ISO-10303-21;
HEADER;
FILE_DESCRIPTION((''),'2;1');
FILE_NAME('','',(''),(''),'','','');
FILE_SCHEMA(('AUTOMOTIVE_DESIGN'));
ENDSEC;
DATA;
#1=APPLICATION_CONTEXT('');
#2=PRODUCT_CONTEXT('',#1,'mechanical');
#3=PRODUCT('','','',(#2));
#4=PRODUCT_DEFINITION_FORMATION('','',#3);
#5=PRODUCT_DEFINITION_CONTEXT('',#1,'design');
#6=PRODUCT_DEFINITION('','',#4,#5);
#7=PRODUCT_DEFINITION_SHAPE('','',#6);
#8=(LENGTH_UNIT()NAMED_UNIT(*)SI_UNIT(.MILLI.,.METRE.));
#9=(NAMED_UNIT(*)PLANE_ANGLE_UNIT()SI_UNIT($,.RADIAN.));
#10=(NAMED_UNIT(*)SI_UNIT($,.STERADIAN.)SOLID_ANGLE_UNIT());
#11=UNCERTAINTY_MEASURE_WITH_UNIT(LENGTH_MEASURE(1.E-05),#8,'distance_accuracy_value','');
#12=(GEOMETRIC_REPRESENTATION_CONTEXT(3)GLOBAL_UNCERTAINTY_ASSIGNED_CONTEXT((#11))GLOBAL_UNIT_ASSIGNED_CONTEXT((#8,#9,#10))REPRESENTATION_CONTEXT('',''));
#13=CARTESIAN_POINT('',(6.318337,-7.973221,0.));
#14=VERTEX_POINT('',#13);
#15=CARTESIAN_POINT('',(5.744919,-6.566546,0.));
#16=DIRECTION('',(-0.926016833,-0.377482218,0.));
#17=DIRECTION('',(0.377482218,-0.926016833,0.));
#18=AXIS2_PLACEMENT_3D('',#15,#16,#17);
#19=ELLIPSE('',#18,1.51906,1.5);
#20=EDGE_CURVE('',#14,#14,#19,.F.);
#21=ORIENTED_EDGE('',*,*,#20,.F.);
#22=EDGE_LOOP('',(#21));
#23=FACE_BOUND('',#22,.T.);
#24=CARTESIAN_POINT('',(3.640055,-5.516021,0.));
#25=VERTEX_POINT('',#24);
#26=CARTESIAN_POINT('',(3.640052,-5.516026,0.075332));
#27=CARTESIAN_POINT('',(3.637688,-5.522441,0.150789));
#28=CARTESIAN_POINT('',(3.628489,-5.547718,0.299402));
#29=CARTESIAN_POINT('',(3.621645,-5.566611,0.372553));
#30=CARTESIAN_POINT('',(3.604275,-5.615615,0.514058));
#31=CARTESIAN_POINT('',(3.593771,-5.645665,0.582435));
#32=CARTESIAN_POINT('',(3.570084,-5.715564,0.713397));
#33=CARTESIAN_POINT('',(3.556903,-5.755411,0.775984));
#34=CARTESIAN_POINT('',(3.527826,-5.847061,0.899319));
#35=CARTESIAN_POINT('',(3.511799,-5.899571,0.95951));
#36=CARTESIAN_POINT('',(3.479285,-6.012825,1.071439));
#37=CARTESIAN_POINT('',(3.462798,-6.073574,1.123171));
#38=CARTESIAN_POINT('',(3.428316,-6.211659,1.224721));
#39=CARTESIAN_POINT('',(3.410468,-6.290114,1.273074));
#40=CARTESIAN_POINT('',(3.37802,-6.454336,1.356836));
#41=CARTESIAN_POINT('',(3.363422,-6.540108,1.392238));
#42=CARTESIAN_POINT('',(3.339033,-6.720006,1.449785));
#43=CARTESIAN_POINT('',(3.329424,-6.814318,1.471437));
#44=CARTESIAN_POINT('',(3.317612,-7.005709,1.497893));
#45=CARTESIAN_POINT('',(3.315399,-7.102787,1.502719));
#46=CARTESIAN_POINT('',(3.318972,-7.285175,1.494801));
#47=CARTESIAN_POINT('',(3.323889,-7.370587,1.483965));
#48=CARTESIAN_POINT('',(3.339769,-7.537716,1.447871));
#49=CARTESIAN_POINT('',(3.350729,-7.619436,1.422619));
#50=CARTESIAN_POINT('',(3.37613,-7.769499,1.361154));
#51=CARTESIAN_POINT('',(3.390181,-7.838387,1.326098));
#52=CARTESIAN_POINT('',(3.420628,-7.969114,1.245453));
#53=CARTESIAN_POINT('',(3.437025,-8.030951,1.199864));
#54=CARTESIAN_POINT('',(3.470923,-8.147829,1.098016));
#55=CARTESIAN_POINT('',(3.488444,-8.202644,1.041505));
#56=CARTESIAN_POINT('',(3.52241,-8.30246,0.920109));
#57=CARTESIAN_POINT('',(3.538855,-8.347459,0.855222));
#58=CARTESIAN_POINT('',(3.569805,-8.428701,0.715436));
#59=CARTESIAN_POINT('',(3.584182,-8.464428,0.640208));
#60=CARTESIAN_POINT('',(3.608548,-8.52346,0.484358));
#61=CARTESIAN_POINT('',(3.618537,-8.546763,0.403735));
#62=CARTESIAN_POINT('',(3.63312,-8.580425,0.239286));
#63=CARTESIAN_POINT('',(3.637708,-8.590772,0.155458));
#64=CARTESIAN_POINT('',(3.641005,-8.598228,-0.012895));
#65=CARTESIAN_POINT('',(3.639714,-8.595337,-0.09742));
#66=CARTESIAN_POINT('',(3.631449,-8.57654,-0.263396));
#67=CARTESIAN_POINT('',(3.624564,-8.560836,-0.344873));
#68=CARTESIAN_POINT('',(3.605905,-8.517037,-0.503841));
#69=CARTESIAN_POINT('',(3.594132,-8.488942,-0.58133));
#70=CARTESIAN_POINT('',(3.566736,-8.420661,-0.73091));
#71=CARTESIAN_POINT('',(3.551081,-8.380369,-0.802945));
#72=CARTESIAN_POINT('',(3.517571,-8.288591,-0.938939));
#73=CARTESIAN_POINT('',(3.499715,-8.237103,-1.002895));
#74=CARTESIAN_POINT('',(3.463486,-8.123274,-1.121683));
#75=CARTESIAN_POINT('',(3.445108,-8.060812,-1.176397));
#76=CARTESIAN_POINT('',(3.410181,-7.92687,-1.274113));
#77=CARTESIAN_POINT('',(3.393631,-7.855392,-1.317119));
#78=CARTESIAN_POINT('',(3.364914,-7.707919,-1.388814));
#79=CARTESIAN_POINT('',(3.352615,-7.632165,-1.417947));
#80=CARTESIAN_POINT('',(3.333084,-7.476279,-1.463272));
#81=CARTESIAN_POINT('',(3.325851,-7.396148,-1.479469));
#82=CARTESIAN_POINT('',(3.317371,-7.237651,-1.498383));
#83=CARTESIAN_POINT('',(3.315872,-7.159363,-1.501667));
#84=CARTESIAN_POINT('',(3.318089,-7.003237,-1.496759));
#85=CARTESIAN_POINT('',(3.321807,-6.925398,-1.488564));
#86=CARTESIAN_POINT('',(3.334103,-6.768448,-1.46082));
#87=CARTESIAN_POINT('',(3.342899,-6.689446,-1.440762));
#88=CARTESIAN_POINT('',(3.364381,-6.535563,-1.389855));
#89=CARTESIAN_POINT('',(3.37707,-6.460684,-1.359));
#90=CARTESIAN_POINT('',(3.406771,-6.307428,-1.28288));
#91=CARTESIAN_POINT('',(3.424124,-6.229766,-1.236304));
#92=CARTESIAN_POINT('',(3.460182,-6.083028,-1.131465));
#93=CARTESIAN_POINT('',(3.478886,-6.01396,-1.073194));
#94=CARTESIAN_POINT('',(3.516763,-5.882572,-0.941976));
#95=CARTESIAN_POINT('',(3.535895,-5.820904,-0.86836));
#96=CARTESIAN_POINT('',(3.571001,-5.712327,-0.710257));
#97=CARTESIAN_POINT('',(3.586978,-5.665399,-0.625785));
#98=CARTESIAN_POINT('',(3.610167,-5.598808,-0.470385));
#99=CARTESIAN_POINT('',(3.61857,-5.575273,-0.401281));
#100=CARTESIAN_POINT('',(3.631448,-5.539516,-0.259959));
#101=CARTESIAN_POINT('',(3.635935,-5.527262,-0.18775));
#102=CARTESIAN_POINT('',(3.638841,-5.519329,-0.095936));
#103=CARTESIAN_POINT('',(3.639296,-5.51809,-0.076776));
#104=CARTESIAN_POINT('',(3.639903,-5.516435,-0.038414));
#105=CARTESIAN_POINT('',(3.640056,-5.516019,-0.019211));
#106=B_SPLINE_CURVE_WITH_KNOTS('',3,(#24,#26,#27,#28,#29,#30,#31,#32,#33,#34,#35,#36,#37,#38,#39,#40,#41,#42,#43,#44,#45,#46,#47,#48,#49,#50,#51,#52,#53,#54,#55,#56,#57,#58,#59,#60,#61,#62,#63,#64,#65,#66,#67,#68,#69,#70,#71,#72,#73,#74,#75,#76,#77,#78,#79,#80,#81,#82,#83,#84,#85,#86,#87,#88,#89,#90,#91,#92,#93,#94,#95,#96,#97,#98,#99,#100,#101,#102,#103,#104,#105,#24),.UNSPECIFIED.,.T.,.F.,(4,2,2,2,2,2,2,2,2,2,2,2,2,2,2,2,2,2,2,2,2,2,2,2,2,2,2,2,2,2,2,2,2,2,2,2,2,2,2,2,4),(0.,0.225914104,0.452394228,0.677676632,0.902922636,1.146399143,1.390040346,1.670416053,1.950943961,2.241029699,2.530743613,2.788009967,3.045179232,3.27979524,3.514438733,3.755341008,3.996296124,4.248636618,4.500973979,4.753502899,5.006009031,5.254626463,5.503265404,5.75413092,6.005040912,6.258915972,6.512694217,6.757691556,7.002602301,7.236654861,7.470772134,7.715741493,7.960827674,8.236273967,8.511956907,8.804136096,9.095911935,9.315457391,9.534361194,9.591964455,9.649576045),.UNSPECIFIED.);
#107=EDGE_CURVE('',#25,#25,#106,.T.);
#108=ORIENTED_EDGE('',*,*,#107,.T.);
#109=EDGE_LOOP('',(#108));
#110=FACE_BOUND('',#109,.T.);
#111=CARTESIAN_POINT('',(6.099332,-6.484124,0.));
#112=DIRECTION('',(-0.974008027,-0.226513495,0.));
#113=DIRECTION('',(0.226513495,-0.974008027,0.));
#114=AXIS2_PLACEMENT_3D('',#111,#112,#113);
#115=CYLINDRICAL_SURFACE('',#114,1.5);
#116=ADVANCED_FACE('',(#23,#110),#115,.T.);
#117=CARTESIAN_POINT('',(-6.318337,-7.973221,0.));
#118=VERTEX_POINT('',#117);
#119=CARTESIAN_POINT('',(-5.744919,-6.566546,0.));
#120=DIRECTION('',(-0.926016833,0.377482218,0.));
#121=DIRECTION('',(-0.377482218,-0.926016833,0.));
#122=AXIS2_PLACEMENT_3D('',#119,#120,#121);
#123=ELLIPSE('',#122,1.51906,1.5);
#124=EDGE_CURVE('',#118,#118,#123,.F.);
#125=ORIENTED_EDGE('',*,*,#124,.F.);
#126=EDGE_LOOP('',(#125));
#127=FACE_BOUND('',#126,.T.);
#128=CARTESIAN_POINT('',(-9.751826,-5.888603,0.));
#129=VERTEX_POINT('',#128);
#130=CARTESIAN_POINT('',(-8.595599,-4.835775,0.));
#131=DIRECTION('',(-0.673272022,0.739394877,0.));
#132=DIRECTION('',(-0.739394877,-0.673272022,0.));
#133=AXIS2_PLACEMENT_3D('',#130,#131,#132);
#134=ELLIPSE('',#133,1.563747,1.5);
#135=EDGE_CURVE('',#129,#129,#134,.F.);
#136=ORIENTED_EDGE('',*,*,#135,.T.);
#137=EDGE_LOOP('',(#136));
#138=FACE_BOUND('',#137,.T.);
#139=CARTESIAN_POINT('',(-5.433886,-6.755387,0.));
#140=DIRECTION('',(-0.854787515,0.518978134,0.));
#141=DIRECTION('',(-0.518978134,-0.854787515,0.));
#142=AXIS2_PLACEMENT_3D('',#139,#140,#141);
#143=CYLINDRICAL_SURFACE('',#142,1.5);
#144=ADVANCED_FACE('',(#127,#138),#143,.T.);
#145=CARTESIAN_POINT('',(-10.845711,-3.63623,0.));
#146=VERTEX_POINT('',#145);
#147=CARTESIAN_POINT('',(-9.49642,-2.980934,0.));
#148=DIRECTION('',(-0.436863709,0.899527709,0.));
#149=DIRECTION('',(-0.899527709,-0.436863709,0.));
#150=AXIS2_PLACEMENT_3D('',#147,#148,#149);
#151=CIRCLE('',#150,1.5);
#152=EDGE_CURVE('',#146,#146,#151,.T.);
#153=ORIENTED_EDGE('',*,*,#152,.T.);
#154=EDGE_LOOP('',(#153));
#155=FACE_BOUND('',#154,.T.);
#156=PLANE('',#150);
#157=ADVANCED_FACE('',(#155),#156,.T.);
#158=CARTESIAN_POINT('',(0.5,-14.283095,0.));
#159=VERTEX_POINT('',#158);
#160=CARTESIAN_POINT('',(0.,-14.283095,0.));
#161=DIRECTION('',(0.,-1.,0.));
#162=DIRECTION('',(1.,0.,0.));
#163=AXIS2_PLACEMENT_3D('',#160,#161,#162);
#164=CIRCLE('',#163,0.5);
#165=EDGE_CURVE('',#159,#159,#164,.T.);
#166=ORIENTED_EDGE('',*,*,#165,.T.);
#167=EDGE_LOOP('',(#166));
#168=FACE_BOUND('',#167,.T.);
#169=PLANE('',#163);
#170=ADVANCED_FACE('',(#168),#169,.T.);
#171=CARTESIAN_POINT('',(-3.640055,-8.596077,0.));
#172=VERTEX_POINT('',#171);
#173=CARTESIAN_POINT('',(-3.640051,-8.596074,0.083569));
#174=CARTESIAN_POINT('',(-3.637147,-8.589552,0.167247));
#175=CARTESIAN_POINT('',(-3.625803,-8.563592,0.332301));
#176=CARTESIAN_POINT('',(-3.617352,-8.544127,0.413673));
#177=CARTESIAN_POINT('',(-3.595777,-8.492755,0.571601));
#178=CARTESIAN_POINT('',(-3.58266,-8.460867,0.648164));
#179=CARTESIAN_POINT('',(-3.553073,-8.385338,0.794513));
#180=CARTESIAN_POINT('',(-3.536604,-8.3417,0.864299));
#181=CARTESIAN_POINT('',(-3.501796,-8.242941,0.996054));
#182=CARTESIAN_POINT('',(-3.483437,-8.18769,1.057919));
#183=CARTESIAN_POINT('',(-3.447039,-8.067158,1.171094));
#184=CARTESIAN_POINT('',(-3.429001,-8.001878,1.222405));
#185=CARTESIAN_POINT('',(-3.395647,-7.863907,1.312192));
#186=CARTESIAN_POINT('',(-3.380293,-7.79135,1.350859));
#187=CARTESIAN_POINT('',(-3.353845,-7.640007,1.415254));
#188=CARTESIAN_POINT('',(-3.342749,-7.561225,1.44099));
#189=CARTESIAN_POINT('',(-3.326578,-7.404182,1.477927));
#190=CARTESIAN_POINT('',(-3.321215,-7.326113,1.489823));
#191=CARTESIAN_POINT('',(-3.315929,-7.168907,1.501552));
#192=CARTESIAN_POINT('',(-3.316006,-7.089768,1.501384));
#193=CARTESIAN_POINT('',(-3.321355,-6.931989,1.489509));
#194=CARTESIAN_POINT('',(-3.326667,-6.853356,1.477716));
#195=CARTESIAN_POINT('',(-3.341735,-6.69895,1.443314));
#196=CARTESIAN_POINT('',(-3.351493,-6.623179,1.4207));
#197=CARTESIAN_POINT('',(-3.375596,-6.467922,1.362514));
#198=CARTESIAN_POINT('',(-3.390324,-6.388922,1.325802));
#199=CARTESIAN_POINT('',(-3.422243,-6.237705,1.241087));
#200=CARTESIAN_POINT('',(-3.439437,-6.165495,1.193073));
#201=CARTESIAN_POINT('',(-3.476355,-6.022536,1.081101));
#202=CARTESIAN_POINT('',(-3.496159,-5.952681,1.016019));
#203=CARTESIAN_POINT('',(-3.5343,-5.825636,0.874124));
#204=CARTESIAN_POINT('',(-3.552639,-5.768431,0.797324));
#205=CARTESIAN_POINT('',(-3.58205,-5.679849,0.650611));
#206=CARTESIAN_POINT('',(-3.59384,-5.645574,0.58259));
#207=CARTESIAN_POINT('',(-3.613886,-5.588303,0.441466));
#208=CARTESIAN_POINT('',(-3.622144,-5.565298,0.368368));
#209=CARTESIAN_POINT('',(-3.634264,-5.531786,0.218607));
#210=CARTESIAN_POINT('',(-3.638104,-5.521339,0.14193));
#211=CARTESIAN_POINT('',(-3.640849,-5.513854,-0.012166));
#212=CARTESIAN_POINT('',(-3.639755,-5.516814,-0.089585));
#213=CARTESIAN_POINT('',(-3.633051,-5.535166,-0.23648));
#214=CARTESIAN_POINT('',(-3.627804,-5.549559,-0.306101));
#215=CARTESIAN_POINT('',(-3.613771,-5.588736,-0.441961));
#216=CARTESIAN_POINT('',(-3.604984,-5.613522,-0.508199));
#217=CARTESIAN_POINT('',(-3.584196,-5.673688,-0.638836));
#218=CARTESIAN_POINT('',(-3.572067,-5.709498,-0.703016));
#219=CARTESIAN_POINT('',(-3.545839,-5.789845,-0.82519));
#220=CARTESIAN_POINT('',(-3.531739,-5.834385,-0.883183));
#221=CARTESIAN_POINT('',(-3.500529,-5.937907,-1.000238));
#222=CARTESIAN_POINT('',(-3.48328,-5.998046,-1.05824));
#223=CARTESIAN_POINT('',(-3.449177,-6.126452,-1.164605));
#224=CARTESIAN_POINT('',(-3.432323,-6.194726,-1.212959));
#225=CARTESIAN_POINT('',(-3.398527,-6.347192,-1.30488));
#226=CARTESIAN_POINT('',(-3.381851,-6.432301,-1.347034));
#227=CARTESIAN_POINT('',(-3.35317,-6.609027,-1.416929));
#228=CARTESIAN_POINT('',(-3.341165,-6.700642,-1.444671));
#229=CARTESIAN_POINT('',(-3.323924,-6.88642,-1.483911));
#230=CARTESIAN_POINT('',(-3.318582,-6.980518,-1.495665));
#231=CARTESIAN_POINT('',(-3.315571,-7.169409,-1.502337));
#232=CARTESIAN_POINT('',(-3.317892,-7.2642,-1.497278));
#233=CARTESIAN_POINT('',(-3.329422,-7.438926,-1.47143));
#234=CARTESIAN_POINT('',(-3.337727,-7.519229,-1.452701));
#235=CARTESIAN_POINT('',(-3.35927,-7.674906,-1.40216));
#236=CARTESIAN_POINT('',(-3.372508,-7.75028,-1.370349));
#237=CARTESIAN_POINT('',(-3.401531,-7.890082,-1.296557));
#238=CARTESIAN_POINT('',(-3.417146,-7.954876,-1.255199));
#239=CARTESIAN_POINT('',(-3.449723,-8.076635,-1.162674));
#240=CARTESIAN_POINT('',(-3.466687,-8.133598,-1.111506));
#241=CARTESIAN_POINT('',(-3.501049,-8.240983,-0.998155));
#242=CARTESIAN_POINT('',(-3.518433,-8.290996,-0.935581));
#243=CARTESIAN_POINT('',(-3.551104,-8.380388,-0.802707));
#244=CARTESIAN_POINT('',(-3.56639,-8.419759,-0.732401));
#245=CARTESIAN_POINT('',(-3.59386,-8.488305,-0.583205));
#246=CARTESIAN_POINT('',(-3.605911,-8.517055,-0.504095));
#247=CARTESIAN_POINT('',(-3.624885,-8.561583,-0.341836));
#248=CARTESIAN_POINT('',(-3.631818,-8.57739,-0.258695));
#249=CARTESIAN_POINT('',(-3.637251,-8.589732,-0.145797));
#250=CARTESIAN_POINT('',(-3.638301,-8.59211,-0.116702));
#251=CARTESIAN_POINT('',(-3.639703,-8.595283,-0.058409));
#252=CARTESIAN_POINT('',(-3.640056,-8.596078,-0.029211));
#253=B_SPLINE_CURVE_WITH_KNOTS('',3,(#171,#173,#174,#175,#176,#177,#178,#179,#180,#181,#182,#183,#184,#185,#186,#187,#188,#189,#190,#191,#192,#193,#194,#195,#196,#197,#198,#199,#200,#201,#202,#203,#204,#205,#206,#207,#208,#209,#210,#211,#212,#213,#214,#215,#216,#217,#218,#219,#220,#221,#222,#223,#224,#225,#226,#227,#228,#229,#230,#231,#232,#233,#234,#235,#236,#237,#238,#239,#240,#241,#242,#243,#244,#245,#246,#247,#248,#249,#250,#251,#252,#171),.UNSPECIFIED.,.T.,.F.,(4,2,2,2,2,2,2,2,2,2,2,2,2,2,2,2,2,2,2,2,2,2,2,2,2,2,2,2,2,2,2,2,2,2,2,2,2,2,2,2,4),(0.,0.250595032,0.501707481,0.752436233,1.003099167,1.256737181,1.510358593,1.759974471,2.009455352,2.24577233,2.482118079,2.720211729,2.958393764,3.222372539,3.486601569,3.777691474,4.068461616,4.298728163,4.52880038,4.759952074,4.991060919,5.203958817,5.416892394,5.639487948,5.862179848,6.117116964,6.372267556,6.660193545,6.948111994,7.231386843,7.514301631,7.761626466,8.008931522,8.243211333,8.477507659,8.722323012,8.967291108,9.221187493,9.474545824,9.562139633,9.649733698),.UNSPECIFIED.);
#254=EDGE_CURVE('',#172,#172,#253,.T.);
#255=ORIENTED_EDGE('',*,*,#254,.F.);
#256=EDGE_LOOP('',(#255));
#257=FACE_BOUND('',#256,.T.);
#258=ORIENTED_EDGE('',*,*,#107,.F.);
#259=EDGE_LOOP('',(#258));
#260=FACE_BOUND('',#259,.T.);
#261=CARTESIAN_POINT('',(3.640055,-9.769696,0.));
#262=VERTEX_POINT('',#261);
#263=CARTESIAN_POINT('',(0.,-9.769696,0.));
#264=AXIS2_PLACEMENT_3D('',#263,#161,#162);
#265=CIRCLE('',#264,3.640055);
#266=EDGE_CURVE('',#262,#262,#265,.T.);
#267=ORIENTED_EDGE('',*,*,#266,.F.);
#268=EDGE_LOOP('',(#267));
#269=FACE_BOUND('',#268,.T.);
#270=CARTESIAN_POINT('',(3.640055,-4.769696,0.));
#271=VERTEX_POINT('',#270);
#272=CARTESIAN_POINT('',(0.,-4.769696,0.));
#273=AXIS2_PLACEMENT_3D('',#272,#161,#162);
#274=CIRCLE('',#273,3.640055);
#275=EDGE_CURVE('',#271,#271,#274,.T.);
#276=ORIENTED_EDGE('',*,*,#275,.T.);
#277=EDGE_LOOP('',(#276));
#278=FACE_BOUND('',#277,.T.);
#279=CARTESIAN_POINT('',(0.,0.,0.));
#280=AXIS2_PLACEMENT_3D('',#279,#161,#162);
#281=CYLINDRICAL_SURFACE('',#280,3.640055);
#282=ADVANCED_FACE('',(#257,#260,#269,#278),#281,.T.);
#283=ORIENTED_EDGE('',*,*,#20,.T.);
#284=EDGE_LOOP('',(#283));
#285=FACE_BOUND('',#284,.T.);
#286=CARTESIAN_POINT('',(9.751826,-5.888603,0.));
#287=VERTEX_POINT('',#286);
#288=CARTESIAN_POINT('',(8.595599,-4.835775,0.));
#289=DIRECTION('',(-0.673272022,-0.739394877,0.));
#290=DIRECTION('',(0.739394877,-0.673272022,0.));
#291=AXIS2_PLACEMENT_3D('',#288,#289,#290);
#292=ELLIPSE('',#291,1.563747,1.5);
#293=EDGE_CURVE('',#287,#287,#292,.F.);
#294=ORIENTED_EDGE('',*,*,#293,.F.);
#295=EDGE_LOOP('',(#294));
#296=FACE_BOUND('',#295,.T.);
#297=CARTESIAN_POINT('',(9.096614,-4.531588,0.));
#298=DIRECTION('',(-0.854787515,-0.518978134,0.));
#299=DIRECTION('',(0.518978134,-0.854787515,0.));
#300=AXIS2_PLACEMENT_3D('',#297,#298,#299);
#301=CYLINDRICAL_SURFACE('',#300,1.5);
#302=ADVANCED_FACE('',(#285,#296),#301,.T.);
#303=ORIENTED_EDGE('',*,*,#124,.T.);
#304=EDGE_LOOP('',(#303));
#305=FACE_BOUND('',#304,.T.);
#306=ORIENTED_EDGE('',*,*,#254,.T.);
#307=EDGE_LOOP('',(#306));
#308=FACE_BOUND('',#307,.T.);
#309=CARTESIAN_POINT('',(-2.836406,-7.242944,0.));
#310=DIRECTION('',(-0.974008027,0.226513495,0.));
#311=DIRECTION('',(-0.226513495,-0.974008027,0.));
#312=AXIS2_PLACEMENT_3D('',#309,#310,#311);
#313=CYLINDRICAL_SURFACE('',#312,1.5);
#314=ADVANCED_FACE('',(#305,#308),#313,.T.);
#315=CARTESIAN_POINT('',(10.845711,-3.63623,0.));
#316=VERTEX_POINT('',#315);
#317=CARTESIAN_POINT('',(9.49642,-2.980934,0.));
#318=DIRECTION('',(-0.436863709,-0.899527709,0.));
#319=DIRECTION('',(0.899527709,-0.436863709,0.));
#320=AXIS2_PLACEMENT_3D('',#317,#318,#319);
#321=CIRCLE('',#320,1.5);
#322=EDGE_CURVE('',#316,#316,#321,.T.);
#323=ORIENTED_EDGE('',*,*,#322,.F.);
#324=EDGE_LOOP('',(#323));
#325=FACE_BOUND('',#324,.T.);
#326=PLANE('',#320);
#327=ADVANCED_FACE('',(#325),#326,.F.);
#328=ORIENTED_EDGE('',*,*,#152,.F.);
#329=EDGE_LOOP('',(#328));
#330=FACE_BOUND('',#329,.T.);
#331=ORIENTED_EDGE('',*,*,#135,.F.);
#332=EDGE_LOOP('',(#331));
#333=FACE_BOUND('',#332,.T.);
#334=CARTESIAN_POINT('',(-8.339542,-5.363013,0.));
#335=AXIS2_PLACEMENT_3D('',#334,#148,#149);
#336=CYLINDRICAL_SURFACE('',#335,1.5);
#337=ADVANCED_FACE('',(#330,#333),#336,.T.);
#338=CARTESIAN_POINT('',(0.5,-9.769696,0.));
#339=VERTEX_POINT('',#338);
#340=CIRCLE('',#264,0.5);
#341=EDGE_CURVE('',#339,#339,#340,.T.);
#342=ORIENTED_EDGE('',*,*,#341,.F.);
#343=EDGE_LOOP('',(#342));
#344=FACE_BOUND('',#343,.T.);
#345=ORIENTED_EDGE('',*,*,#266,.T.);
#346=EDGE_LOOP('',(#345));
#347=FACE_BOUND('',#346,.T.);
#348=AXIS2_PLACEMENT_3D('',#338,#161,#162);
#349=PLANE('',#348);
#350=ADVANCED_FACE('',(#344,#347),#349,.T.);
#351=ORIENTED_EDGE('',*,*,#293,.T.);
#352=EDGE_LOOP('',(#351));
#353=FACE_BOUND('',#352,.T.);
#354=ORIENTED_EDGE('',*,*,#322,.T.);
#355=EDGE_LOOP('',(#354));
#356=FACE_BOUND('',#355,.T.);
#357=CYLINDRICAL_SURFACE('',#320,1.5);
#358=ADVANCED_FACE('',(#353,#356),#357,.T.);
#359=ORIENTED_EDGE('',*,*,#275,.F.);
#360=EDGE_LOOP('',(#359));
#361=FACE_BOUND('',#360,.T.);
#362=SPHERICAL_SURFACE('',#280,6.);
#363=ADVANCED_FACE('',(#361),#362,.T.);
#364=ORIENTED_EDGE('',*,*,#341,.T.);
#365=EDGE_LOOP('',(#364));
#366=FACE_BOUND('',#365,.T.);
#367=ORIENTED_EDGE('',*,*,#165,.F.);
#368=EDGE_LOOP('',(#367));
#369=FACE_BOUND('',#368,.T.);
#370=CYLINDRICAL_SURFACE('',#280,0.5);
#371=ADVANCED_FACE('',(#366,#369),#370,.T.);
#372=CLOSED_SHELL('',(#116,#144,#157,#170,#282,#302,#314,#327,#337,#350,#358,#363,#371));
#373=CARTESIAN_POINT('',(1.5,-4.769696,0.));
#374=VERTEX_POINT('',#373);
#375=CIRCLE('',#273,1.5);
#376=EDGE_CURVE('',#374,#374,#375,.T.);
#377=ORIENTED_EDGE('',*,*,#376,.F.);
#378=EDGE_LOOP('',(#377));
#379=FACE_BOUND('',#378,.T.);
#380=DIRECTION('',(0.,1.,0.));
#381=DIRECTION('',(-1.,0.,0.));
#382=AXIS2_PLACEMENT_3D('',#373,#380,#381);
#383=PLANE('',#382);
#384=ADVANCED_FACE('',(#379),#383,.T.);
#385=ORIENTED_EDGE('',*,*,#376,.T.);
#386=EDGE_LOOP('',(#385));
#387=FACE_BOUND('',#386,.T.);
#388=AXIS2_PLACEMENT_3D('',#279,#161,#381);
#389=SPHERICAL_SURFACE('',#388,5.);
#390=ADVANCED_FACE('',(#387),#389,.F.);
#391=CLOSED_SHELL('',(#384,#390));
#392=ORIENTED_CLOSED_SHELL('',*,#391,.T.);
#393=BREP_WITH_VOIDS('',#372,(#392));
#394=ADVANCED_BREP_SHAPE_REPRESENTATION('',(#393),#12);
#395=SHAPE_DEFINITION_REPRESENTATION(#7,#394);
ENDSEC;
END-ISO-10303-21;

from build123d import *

# Parameters (mm, degrees)
SWEEP1_PROFILE_R = 1.5


with BuildPart() as part:
    # Esquisse1 → Révolution4 (revolve)
    with BuildSketch(Plane.XY):
        with BuildLine():
            Line((0, 5), (0, 6))
            ThreePointArc((0, 6), (5.684108375, 1.921174635), (3.640054945, -4.769696007))
            Line((3.640054945, -4.769696007), (3.640054945, -9.769696007))
            Line((3.640054945, -9.769696007), (0.5, -9.769696007))
            Line((0.5, -9.769696007), (0.5, -14.283094956))
            Line((0.5, -14.283094956), (0, -14.283094956))
            Line((0, -14.283094956), (0, -4.769696007))
            Line((0, -4.769696007), (1.5, -4.769696007))
            ThreePointArc((1.5, -4.769696007), (4.942088629, 0.758788496), (0, 5))
        make_face()
    revolve(axis=Axis((0, 0, 0), (0, 1, 0)))

    # Sweep1: sweep along a path in Sketch1
    with BuildLine(Plane.XY) as sweep1_path:
        Line((9.49641969, -2.980934088), (8.595599399, -4.835775301))
        Line((8.595599399, -4.835775301), (5.744918771, -6.566545682))
        Line((5.744918771, -6.566545682), (3.118220193, -7.177405817))
        Line((3.118220193, -7.177405817), (-3.118220193, -7.177405817))
        Line((-3.118220193, -7.177405817), (-5.744918771, -6.566545682))
        Line((-5.744918771, -6.566545682), (-8.595599399, -4.835775301))
        Line((-8.595599399, -4.835775301), (-9.49641969, -2.980934088))
    # Sweep1 profile (on start of the path) → Sweep1 (sweep)
    with BuildSketch(Plane(origin=(9.49641969, -2.980934088, 0), x_dir=(-0.8995277091216457, 0.4368637093217566, 0), z_dir=(-0.4368637093217566, -0.8995277091216457, 0))):
        Circle(SWEEP1_PROFILE_R)
    sweep(path=sweep1_path.line, transition=Transition.RIGHT)


solid = part.part
